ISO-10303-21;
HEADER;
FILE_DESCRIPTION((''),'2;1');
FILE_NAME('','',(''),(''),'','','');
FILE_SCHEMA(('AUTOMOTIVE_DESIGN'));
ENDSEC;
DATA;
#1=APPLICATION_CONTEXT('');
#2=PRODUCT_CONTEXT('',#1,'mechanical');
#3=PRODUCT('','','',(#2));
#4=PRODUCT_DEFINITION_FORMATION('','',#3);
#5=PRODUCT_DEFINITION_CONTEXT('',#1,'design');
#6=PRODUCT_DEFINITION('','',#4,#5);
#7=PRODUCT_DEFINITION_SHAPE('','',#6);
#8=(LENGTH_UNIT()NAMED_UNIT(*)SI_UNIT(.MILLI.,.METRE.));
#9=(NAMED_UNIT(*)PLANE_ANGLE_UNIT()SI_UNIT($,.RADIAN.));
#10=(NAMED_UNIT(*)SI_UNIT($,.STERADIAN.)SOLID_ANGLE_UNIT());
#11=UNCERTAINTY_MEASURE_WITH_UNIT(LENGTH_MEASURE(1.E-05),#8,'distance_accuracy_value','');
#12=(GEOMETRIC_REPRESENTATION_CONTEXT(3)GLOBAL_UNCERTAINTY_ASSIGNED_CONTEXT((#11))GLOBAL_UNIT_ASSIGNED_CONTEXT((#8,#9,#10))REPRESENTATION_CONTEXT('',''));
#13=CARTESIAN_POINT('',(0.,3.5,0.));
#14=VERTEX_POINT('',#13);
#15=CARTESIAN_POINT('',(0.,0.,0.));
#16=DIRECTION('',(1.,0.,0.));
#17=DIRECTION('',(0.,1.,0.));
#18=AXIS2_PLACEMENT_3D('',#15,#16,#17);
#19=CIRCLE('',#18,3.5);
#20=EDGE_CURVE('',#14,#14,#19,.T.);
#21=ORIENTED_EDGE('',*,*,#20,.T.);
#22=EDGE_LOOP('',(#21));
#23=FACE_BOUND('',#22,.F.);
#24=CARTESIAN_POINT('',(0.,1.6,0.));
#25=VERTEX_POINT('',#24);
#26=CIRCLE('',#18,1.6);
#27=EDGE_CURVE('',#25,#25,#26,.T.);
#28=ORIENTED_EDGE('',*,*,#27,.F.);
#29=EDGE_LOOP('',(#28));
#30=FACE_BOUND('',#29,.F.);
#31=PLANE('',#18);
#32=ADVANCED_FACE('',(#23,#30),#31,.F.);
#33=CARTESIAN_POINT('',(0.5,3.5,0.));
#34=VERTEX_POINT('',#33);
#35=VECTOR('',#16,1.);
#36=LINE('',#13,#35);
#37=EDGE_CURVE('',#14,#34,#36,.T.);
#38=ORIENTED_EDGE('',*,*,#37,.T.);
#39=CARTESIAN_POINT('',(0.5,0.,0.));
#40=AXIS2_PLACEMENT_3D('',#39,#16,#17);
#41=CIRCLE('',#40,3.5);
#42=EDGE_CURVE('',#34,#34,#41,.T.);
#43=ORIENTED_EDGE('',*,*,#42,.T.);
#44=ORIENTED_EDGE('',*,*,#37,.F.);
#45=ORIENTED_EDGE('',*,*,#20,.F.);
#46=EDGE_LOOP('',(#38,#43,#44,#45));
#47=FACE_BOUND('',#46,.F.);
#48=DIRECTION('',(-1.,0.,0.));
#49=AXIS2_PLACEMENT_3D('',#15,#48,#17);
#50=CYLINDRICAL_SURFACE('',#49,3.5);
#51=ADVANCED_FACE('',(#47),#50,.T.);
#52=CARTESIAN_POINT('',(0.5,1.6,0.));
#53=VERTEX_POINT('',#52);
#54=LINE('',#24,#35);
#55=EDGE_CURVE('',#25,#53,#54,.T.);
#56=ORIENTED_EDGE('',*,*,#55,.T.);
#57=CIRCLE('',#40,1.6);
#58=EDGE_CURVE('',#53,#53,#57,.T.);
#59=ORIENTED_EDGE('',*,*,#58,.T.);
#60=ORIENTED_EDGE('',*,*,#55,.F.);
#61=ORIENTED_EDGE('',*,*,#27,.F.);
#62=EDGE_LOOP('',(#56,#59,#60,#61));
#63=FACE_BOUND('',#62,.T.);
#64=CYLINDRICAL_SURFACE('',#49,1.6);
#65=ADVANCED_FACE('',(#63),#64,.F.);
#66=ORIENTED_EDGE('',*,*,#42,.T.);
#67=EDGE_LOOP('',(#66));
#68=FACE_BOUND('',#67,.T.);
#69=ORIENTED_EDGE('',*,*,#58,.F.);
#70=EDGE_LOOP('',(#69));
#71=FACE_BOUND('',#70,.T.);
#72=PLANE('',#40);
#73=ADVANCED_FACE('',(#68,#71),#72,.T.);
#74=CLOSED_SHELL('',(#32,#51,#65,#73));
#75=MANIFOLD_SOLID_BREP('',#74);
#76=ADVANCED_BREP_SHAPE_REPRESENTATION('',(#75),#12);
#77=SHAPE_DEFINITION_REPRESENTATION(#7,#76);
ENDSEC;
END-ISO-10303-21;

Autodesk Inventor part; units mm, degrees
ref_plane "YZ Plane" through (0, 0, 0) normal (1, 0, 0) x (0, 1, 0)
ref_plane "XZ Plane" through (0, 0, 0) normal (0, 1, 0) x (-1, 0, 0)
sketch "Sketch" plane through (0, 0, 0) normal (1, 0, 0) x (0, 1, 0)
  circle A0 centre (0, 0) radius 3.5
  circle A1 centre (0, 0) radius 1.6
  dimension "d0" = 3.2
  dimension "d1" = 7
extrude "Body" add sketch "Sketch" along normal blind 0.5
ref_plane "Work Plane1" through (0, 0, 0) normal (0, 0, 1) x (1, 0, 0)
equation "\"d0\" = SD1"
equation "\"d1\" = SD2"
equation "\"d2\" = SD"
equation "\"SD1\" = 3.2"
equation "\"SD2\" = 7"
equation "\"SD\" = 0.5"
equation "\"NND\" = 3"
properties part number "DIN 125-2 - A 3,2" material "Steel, Mild"
